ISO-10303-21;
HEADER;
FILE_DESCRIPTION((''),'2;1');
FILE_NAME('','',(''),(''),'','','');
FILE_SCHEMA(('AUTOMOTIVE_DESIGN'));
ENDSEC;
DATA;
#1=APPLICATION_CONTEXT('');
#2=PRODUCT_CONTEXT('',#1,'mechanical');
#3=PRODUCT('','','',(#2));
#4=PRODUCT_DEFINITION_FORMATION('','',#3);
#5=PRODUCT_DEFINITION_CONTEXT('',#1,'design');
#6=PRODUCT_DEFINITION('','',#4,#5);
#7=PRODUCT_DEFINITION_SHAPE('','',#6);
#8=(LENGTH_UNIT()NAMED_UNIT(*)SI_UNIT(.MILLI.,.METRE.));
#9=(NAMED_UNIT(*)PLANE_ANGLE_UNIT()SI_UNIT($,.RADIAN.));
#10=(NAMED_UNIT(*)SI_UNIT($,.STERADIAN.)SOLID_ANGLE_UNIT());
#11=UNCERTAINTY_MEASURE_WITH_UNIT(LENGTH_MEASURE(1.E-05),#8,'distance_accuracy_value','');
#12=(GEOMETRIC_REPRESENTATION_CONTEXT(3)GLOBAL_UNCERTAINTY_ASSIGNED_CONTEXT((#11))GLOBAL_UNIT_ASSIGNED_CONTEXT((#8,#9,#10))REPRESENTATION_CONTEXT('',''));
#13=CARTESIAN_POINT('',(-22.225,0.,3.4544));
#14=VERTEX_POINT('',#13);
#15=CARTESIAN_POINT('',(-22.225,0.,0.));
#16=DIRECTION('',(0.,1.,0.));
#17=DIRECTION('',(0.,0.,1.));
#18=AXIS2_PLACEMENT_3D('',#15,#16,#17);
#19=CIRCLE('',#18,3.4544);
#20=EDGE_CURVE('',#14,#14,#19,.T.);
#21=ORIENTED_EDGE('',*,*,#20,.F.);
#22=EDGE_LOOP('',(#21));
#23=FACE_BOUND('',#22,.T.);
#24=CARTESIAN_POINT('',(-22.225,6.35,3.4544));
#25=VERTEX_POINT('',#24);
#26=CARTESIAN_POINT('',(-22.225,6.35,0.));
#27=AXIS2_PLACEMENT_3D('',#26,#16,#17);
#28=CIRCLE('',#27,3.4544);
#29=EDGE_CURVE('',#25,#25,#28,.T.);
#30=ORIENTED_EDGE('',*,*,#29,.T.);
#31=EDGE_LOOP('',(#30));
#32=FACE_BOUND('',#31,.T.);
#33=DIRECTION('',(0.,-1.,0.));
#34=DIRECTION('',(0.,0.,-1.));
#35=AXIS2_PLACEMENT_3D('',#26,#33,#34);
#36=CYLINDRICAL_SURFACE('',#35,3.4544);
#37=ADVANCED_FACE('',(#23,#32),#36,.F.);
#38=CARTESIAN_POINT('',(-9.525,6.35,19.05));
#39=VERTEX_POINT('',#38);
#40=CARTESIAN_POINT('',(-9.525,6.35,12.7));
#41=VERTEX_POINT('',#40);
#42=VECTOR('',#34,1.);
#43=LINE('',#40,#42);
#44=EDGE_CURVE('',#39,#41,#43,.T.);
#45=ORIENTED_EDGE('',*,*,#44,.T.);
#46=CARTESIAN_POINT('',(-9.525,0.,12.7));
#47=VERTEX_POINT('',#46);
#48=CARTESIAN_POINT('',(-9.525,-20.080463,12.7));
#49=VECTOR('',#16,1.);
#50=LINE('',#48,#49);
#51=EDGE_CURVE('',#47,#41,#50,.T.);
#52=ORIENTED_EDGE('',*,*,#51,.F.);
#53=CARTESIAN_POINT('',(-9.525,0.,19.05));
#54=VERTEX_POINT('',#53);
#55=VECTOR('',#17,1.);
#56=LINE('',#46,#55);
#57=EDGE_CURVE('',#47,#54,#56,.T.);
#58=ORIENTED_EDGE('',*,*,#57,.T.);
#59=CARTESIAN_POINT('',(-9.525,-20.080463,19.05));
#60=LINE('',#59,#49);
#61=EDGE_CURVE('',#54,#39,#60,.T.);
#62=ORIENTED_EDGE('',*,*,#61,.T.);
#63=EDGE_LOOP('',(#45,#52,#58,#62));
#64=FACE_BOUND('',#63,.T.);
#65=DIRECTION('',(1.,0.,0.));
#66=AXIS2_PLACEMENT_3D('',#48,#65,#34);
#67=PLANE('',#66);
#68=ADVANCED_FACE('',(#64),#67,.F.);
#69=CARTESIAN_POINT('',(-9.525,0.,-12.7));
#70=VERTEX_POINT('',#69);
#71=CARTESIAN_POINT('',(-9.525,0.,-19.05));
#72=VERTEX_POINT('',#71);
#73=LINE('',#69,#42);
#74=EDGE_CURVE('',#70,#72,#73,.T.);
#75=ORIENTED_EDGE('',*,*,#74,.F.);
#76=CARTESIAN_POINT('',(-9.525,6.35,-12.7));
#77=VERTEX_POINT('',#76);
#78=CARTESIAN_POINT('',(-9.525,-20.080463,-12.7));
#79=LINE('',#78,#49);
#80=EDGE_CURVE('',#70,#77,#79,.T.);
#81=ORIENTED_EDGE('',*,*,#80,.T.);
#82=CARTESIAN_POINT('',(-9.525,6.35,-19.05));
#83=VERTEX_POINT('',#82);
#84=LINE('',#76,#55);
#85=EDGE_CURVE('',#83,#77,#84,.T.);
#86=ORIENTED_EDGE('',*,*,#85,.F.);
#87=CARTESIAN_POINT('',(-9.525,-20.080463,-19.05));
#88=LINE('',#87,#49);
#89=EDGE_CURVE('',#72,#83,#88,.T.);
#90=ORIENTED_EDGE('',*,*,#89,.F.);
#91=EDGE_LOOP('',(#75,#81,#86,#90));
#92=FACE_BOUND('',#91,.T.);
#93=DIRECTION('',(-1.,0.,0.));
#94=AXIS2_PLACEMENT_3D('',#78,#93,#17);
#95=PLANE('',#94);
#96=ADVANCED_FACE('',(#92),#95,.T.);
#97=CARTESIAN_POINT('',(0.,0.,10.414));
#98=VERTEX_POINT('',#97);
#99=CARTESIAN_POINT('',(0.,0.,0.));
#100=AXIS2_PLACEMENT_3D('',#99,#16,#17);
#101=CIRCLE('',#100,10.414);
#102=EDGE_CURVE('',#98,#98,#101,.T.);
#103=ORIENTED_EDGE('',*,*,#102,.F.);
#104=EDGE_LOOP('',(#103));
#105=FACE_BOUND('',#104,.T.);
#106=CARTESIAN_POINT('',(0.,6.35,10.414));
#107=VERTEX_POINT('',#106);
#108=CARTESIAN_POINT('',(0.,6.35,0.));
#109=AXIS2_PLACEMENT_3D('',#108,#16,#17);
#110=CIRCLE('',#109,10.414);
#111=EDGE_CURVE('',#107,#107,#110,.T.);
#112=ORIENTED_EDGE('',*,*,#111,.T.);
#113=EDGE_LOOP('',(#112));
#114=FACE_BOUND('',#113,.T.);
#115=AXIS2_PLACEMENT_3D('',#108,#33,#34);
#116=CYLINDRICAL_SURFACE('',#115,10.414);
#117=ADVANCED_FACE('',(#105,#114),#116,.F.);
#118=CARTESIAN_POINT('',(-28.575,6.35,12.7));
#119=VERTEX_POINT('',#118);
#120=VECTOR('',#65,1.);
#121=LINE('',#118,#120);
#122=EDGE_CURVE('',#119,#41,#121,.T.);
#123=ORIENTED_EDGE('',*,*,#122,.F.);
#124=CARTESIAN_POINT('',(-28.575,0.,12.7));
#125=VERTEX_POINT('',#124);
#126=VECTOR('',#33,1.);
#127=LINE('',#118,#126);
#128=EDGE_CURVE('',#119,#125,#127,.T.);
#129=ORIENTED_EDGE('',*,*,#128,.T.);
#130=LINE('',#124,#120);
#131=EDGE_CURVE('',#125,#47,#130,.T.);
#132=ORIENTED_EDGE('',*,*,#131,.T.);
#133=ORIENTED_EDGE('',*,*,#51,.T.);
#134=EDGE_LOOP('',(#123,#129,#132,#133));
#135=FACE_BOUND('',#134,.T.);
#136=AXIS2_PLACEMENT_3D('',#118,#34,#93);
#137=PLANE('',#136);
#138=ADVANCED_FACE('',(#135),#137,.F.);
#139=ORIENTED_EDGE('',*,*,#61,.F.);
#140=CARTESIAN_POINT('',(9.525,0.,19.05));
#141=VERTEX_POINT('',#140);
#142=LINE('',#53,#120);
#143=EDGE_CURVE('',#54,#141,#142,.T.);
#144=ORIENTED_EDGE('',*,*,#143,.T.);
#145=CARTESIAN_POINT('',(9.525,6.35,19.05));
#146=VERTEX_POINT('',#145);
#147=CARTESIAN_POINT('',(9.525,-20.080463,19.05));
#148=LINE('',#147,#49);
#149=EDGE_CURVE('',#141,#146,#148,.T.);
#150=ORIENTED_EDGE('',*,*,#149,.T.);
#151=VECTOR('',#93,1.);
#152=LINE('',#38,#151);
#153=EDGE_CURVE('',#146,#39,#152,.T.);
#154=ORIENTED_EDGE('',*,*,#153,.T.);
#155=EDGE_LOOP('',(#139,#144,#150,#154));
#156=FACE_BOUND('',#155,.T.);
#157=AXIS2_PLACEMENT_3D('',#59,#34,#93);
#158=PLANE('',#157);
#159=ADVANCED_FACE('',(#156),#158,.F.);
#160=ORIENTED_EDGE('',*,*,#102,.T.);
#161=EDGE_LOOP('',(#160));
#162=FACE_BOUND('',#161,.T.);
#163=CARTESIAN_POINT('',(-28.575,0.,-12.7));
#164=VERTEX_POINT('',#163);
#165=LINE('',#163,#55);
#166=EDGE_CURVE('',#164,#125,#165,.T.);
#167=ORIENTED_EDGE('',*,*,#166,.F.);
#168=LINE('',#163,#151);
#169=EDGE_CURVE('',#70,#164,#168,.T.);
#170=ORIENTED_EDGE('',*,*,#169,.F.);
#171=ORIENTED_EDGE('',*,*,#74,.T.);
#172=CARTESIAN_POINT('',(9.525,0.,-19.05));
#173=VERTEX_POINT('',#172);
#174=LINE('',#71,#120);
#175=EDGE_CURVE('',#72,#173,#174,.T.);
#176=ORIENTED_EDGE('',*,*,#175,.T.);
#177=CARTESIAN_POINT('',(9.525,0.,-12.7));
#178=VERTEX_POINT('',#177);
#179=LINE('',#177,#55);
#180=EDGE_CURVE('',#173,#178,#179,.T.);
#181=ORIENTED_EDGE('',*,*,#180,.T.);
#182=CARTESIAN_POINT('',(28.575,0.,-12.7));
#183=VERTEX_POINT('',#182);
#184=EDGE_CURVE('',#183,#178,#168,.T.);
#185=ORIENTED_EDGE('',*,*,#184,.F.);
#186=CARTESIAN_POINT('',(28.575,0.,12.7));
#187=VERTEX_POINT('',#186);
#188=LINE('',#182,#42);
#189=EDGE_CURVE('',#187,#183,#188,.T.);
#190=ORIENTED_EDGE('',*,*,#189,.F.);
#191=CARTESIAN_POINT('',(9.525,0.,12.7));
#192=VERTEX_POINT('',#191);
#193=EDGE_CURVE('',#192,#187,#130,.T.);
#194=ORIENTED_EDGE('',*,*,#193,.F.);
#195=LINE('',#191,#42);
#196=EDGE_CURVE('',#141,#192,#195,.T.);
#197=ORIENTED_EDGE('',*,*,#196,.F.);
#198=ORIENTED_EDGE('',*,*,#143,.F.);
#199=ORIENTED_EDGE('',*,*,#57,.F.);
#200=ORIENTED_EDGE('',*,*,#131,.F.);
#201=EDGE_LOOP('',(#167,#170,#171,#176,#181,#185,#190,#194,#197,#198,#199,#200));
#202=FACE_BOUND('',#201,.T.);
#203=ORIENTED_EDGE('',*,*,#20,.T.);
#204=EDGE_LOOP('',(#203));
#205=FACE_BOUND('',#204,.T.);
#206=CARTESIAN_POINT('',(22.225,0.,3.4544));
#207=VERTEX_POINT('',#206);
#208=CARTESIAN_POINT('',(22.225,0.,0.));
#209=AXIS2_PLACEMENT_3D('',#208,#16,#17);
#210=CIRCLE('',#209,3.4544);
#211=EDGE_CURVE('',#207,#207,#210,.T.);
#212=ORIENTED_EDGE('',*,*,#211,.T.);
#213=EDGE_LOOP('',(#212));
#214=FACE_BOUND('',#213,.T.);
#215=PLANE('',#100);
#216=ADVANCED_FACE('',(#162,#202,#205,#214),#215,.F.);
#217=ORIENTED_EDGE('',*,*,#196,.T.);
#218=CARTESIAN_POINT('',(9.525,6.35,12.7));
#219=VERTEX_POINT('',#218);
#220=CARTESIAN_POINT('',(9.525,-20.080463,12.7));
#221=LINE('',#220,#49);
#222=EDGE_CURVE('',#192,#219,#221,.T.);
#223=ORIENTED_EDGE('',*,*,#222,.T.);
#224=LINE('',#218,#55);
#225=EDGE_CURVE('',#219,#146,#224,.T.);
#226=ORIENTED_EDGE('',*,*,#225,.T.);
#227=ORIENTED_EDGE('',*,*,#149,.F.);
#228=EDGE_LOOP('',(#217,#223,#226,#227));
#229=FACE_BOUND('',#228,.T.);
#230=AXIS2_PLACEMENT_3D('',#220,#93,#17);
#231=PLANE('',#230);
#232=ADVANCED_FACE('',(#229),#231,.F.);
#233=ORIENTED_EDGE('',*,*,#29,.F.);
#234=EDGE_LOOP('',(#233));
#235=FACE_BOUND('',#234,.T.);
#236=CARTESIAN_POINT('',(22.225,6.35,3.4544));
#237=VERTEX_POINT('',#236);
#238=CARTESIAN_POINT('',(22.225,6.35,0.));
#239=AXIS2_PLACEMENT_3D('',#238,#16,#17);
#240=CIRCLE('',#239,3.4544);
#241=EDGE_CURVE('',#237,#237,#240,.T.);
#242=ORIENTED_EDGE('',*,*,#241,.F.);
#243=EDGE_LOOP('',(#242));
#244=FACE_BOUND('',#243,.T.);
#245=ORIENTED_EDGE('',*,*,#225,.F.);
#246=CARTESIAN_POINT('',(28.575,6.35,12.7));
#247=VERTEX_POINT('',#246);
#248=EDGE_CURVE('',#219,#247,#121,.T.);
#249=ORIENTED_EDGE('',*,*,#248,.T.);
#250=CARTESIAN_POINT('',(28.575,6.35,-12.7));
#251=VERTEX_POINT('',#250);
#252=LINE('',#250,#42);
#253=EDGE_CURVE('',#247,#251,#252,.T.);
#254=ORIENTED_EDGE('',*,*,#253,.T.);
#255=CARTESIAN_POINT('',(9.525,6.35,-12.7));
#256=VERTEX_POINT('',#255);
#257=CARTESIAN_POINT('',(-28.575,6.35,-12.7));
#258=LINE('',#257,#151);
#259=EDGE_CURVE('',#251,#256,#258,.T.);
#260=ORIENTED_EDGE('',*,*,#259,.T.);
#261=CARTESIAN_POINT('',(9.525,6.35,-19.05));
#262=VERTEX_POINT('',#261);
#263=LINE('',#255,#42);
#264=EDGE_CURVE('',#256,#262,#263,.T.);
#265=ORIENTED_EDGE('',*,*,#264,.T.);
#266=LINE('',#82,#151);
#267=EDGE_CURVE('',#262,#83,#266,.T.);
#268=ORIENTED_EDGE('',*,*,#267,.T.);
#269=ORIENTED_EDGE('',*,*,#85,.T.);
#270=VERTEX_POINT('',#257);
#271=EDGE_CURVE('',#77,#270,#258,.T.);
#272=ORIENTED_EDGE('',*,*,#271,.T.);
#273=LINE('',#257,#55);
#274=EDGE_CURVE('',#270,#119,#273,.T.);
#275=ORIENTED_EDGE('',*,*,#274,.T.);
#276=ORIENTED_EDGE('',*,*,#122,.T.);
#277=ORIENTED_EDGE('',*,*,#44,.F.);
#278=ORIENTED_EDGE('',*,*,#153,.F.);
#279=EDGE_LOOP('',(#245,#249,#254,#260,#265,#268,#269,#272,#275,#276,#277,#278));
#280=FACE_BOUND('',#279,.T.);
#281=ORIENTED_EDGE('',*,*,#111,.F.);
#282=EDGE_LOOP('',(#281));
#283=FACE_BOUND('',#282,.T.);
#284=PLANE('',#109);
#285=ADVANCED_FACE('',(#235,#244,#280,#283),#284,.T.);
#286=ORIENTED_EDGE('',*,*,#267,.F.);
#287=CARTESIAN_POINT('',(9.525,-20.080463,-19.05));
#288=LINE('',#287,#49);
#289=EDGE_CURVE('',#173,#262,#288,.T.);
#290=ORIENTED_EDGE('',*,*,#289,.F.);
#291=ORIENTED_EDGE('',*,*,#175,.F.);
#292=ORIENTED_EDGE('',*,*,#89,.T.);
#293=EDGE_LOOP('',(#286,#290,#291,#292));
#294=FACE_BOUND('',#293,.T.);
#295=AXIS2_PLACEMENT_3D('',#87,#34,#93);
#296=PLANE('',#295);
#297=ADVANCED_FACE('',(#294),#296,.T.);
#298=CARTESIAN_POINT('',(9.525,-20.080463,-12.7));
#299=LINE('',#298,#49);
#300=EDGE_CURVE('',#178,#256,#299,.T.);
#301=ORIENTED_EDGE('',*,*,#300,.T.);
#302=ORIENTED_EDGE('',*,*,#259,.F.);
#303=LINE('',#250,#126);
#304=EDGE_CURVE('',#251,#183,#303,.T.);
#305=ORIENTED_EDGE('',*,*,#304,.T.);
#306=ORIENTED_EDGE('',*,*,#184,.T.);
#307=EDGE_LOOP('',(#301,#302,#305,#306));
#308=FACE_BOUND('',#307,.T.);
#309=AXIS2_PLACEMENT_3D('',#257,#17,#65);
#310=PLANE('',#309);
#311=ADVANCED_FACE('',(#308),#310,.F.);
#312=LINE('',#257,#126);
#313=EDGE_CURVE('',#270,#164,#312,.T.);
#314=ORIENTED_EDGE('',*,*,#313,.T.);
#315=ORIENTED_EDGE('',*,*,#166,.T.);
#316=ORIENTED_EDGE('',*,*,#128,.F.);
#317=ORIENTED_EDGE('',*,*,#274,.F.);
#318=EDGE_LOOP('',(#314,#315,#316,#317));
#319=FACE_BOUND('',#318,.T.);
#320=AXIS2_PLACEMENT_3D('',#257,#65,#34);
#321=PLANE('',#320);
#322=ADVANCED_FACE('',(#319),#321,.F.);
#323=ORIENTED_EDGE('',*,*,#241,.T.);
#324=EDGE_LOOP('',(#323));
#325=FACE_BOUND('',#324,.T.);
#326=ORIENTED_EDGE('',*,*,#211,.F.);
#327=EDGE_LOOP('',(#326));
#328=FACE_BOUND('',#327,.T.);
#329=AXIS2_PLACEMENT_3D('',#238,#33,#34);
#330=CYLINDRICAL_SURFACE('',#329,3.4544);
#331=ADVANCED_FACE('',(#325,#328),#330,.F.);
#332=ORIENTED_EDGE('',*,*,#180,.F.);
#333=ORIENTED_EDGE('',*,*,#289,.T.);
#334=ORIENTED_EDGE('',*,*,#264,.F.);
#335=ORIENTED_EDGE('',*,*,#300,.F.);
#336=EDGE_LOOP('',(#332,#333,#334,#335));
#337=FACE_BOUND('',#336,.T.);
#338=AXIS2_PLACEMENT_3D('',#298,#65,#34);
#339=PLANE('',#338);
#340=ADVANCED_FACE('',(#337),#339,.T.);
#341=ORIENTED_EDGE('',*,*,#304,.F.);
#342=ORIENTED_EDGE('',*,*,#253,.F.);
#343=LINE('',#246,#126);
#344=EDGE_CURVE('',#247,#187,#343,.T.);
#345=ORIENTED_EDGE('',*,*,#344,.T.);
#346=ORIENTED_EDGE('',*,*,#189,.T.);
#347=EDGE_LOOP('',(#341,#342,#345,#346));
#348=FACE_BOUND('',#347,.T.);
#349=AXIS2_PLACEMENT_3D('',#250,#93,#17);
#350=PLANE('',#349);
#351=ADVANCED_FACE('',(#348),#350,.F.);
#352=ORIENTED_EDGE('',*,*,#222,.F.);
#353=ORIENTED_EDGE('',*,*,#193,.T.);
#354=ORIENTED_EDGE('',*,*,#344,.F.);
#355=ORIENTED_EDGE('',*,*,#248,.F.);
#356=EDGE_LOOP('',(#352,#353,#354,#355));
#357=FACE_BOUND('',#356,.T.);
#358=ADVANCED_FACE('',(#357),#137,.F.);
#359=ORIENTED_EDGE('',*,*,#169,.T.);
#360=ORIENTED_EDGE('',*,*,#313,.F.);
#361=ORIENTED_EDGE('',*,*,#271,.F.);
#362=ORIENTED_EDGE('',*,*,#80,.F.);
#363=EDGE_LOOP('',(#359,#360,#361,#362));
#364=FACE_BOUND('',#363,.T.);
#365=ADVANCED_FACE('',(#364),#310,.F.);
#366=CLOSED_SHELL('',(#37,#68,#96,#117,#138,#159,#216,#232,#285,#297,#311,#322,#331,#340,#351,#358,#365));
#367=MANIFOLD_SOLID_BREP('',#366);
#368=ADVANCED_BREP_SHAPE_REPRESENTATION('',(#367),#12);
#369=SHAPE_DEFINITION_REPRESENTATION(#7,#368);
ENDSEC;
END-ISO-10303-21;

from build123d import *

# Parameters (mm, degrees)
SKETCH1_W           = 57.15
SKETCH1_H           = 25.4
SKETCH1_R           = 10.414
SKETCH1_R_2         = 3.4544
BOSS_EXTRUDE1_DEPTH = 6.35
SKETCH2_W           = 19.05
SKETCH2_H           = 6.35
BOSS_EXTRUDE2_DEPTH = 6.35


with BuildPart() as part:
    # Sketch1 → Boss-Extrude1 (new body)
    with BuildSketch(Plane(origin=(0, 0, 0), x_dir=(1, 0, 0), z_dir=(0, 1, 0))):
        Rectangle(SKETCH1_W, SKETCH1_H)
        Circle(SKETCH1_R, mode=Mode.SUBTRACT)
        with Locations((-22.225, 0)):
            Circle(SKETCH1_R_2, mode=Mode.SUBTRACT)
        with Locations((22.225, 0)):
            Circle(SKETCH1_R_2, mode=Mode.SUBTRACT)
    extrude(amount=BOSS_EXTRUDE1_DEPTH)

    # Sketch2 → Boss-Extrude2 (add)
    with BuildSketch(Plane(origin=(0, 6.35, 0), x_dir=(1, 0, 0), z_dir=(0, 1, 0))):
        with Locations((0, 15.875)):
            Rectangle(SKETCH2_W, SKETCH2_H)
    boss_extrude2 = extrude(amount=-BOSS_EXTRUDE2_DEPTH)

    # Mirror1: Boss-Extrude2 across plane
    add(boss_extrude2.mirror(Plane.XY))


solid = part.part
